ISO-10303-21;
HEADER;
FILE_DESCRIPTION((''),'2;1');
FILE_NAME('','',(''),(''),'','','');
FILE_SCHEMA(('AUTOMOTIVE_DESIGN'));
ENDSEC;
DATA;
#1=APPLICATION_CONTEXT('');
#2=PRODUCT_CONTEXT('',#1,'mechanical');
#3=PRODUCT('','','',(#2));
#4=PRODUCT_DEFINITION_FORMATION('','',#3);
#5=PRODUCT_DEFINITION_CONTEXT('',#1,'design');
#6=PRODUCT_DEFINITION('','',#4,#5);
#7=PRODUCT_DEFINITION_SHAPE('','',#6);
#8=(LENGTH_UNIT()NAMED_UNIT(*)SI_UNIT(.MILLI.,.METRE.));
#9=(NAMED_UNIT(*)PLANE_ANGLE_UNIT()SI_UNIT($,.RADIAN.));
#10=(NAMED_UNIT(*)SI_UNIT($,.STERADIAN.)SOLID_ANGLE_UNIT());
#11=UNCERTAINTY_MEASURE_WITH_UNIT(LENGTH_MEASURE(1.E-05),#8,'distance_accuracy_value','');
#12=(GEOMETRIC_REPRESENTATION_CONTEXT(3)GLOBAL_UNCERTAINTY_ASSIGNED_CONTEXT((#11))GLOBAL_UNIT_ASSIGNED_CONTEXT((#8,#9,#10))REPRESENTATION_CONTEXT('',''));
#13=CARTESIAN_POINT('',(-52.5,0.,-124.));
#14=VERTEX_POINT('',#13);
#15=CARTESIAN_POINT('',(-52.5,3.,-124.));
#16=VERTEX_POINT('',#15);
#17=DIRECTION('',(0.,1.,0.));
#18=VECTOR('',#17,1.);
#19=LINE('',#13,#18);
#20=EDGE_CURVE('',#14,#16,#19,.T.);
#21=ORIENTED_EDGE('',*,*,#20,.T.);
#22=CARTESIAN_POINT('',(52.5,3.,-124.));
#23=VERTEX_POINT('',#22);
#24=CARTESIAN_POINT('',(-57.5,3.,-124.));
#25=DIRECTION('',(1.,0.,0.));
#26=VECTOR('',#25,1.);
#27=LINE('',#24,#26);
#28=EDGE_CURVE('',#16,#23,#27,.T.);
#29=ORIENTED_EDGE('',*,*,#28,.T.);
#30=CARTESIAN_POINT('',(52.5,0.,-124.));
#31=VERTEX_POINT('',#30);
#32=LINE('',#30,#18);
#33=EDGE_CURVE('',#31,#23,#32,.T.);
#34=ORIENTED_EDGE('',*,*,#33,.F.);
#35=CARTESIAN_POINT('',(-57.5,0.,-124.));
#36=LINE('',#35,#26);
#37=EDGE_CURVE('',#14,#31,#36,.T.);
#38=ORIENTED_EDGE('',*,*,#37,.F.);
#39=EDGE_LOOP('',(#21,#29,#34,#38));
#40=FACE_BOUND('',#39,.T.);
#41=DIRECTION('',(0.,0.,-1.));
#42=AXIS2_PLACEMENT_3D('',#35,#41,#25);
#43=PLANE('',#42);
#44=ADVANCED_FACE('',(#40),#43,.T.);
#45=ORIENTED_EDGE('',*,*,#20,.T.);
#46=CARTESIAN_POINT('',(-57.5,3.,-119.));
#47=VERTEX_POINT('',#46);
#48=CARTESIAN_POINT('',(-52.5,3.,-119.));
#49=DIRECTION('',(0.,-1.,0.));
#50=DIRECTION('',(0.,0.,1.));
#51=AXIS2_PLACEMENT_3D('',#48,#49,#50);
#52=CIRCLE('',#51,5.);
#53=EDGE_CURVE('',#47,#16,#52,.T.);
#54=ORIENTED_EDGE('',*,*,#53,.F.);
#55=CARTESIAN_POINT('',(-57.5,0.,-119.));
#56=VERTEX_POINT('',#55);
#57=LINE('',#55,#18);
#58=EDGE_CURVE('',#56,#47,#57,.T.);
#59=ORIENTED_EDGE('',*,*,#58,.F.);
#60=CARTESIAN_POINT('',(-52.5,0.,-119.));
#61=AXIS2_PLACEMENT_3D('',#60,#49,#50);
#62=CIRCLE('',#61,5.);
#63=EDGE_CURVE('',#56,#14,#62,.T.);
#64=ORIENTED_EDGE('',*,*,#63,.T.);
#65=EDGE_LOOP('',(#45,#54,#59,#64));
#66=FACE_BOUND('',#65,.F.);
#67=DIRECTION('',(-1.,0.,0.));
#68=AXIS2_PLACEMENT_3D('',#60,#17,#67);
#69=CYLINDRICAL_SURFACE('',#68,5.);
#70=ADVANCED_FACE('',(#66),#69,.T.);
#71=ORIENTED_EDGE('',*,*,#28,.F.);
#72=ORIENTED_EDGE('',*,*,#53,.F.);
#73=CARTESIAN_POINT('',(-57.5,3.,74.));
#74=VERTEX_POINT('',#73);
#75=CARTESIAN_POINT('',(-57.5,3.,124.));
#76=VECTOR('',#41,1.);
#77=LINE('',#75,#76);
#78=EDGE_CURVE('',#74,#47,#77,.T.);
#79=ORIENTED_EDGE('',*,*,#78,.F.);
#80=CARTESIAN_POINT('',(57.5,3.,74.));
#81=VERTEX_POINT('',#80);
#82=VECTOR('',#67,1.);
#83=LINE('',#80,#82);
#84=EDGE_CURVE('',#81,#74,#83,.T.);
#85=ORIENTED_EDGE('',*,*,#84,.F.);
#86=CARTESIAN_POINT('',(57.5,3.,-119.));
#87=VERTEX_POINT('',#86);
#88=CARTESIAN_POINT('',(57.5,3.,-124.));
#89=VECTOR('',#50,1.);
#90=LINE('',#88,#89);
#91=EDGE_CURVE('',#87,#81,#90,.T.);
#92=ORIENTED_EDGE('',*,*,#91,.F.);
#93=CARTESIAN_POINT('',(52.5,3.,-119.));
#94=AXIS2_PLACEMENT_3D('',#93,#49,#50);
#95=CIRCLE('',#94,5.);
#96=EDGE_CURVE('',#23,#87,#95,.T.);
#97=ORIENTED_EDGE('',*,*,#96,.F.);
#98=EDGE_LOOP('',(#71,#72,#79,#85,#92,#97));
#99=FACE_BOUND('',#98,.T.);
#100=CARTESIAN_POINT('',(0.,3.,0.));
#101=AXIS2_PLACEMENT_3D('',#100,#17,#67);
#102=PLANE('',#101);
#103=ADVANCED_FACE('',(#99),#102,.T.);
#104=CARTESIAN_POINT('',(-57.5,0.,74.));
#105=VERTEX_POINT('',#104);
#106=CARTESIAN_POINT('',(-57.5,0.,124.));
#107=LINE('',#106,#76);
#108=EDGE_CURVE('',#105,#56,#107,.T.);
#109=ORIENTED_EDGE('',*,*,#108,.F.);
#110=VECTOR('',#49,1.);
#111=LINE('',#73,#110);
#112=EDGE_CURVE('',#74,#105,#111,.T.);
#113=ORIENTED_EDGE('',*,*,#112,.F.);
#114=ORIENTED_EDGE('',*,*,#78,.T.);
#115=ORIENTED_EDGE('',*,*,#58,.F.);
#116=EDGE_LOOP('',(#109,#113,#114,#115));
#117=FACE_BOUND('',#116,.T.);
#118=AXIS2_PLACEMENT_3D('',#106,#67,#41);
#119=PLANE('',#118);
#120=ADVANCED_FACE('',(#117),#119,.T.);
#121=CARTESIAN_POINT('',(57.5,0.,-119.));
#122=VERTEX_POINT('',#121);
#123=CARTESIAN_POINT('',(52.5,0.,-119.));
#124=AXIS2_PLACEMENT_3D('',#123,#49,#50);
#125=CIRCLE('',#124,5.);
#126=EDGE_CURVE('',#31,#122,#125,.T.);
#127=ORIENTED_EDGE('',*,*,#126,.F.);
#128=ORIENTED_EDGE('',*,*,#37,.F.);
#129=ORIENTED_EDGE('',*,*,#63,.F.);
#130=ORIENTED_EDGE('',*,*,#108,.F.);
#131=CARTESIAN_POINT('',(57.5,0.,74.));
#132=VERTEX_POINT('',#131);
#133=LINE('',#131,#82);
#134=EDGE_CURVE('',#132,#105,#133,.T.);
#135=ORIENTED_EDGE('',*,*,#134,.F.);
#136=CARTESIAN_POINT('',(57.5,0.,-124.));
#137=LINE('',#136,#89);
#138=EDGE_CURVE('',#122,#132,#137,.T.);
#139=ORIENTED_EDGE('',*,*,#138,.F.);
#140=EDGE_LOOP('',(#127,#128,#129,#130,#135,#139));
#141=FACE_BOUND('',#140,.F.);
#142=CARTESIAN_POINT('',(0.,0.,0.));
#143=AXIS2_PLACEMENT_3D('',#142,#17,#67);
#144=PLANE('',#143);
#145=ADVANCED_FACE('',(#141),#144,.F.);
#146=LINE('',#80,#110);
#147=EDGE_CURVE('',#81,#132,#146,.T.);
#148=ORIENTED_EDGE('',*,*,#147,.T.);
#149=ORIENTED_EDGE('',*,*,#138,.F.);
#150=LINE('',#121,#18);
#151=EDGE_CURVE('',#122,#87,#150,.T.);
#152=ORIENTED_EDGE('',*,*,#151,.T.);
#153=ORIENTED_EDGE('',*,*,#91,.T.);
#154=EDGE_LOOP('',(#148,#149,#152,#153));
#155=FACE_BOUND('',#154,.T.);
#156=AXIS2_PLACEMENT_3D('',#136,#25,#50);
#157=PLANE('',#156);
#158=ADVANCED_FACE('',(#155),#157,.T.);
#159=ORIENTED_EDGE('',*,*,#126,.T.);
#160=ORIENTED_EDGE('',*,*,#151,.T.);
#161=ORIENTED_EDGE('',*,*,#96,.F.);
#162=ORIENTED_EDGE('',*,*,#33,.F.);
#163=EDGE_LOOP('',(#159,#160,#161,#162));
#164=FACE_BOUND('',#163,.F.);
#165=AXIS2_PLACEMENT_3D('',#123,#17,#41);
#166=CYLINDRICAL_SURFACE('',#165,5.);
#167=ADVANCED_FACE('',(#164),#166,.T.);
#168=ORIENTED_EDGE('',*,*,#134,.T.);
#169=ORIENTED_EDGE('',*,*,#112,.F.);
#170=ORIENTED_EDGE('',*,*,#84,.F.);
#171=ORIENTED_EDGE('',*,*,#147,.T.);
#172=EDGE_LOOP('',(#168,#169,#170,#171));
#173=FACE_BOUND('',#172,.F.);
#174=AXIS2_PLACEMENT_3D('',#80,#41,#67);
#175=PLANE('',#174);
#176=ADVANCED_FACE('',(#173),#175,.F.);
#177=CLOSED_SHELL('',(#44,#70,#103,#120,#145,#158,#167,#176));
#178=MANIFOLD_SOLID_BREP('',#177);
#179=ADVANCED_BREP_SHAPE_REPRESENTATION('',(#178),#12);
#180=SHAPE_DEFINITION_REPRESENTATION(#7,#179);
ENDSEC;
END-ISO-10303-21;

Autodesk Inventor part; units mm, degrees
ref_plane "YZ Plane" through (0, 0, 0) normal (1, 0, 0) x (0, 1, 0)
ref_plane "XZ Plane" through (0, 0, 0) normal (0, 1, 0) x (-1, 0, 0)
ref_plane "XY Plane" through (0, 0, 0) normal (0, 0, 1) x (1, 0, 0)
sketch "Sketch1" plane through (0, 0, 0) normal (0, 1, 0) x (-1, 0, 0)
  line L0 (-57.5, 124) -> (57.5, 124)
  line L1 (57.5, 124) -> (57.5, -124)
  line L2 (57.5, -124) -> (-57.5, -124)
  line L3 (-57.5, -124) -> (-57.5, 124)
  line L4 (-57.5, 124) -> (57.5, -124) construction
  line L5 (57.5, 124) -> (-57.5, -124) construction
  point P0 (0, 0)
  dimension "d0" = 248
  dimension "d1" = 115
extrude "Extrusion1" add sketch "Sketch1" along normal blind 3
fillet "Fillet1" radius 5 4 edges at (57.5, 1.5, 124) (57.5, 1.5, -124) (-57.5, 1.5, 124) (-57.5, 1.5, -124)
sketch "Sketch2" plane through (0, 3, 0) normal (0, 1, 0) x (1, 0, 0)
  line L0 (-57.5, -124) -> (57.5, -124)
  line L1 (57.5, -124) -> (57.5, -74)
  line L2 (57.5, -74) -> (-57.5, -74)
  line L3 (-57.5, -74) -> (-57.5, -124)
  line L4 (-52.5, -124) -> (52.5, -124) projected
  line L5 (57.5, -119) -> (57.5, 119) projected
  line L6 (-57.5, 119) -> (-57.5, -119) projected
  point P0 (0, 0)
  dimension "d5" = 50
extrude "Extrusion2" cut sketch "Sketch2" against normal blind 3
properties part number "PMMA_lid_long"
